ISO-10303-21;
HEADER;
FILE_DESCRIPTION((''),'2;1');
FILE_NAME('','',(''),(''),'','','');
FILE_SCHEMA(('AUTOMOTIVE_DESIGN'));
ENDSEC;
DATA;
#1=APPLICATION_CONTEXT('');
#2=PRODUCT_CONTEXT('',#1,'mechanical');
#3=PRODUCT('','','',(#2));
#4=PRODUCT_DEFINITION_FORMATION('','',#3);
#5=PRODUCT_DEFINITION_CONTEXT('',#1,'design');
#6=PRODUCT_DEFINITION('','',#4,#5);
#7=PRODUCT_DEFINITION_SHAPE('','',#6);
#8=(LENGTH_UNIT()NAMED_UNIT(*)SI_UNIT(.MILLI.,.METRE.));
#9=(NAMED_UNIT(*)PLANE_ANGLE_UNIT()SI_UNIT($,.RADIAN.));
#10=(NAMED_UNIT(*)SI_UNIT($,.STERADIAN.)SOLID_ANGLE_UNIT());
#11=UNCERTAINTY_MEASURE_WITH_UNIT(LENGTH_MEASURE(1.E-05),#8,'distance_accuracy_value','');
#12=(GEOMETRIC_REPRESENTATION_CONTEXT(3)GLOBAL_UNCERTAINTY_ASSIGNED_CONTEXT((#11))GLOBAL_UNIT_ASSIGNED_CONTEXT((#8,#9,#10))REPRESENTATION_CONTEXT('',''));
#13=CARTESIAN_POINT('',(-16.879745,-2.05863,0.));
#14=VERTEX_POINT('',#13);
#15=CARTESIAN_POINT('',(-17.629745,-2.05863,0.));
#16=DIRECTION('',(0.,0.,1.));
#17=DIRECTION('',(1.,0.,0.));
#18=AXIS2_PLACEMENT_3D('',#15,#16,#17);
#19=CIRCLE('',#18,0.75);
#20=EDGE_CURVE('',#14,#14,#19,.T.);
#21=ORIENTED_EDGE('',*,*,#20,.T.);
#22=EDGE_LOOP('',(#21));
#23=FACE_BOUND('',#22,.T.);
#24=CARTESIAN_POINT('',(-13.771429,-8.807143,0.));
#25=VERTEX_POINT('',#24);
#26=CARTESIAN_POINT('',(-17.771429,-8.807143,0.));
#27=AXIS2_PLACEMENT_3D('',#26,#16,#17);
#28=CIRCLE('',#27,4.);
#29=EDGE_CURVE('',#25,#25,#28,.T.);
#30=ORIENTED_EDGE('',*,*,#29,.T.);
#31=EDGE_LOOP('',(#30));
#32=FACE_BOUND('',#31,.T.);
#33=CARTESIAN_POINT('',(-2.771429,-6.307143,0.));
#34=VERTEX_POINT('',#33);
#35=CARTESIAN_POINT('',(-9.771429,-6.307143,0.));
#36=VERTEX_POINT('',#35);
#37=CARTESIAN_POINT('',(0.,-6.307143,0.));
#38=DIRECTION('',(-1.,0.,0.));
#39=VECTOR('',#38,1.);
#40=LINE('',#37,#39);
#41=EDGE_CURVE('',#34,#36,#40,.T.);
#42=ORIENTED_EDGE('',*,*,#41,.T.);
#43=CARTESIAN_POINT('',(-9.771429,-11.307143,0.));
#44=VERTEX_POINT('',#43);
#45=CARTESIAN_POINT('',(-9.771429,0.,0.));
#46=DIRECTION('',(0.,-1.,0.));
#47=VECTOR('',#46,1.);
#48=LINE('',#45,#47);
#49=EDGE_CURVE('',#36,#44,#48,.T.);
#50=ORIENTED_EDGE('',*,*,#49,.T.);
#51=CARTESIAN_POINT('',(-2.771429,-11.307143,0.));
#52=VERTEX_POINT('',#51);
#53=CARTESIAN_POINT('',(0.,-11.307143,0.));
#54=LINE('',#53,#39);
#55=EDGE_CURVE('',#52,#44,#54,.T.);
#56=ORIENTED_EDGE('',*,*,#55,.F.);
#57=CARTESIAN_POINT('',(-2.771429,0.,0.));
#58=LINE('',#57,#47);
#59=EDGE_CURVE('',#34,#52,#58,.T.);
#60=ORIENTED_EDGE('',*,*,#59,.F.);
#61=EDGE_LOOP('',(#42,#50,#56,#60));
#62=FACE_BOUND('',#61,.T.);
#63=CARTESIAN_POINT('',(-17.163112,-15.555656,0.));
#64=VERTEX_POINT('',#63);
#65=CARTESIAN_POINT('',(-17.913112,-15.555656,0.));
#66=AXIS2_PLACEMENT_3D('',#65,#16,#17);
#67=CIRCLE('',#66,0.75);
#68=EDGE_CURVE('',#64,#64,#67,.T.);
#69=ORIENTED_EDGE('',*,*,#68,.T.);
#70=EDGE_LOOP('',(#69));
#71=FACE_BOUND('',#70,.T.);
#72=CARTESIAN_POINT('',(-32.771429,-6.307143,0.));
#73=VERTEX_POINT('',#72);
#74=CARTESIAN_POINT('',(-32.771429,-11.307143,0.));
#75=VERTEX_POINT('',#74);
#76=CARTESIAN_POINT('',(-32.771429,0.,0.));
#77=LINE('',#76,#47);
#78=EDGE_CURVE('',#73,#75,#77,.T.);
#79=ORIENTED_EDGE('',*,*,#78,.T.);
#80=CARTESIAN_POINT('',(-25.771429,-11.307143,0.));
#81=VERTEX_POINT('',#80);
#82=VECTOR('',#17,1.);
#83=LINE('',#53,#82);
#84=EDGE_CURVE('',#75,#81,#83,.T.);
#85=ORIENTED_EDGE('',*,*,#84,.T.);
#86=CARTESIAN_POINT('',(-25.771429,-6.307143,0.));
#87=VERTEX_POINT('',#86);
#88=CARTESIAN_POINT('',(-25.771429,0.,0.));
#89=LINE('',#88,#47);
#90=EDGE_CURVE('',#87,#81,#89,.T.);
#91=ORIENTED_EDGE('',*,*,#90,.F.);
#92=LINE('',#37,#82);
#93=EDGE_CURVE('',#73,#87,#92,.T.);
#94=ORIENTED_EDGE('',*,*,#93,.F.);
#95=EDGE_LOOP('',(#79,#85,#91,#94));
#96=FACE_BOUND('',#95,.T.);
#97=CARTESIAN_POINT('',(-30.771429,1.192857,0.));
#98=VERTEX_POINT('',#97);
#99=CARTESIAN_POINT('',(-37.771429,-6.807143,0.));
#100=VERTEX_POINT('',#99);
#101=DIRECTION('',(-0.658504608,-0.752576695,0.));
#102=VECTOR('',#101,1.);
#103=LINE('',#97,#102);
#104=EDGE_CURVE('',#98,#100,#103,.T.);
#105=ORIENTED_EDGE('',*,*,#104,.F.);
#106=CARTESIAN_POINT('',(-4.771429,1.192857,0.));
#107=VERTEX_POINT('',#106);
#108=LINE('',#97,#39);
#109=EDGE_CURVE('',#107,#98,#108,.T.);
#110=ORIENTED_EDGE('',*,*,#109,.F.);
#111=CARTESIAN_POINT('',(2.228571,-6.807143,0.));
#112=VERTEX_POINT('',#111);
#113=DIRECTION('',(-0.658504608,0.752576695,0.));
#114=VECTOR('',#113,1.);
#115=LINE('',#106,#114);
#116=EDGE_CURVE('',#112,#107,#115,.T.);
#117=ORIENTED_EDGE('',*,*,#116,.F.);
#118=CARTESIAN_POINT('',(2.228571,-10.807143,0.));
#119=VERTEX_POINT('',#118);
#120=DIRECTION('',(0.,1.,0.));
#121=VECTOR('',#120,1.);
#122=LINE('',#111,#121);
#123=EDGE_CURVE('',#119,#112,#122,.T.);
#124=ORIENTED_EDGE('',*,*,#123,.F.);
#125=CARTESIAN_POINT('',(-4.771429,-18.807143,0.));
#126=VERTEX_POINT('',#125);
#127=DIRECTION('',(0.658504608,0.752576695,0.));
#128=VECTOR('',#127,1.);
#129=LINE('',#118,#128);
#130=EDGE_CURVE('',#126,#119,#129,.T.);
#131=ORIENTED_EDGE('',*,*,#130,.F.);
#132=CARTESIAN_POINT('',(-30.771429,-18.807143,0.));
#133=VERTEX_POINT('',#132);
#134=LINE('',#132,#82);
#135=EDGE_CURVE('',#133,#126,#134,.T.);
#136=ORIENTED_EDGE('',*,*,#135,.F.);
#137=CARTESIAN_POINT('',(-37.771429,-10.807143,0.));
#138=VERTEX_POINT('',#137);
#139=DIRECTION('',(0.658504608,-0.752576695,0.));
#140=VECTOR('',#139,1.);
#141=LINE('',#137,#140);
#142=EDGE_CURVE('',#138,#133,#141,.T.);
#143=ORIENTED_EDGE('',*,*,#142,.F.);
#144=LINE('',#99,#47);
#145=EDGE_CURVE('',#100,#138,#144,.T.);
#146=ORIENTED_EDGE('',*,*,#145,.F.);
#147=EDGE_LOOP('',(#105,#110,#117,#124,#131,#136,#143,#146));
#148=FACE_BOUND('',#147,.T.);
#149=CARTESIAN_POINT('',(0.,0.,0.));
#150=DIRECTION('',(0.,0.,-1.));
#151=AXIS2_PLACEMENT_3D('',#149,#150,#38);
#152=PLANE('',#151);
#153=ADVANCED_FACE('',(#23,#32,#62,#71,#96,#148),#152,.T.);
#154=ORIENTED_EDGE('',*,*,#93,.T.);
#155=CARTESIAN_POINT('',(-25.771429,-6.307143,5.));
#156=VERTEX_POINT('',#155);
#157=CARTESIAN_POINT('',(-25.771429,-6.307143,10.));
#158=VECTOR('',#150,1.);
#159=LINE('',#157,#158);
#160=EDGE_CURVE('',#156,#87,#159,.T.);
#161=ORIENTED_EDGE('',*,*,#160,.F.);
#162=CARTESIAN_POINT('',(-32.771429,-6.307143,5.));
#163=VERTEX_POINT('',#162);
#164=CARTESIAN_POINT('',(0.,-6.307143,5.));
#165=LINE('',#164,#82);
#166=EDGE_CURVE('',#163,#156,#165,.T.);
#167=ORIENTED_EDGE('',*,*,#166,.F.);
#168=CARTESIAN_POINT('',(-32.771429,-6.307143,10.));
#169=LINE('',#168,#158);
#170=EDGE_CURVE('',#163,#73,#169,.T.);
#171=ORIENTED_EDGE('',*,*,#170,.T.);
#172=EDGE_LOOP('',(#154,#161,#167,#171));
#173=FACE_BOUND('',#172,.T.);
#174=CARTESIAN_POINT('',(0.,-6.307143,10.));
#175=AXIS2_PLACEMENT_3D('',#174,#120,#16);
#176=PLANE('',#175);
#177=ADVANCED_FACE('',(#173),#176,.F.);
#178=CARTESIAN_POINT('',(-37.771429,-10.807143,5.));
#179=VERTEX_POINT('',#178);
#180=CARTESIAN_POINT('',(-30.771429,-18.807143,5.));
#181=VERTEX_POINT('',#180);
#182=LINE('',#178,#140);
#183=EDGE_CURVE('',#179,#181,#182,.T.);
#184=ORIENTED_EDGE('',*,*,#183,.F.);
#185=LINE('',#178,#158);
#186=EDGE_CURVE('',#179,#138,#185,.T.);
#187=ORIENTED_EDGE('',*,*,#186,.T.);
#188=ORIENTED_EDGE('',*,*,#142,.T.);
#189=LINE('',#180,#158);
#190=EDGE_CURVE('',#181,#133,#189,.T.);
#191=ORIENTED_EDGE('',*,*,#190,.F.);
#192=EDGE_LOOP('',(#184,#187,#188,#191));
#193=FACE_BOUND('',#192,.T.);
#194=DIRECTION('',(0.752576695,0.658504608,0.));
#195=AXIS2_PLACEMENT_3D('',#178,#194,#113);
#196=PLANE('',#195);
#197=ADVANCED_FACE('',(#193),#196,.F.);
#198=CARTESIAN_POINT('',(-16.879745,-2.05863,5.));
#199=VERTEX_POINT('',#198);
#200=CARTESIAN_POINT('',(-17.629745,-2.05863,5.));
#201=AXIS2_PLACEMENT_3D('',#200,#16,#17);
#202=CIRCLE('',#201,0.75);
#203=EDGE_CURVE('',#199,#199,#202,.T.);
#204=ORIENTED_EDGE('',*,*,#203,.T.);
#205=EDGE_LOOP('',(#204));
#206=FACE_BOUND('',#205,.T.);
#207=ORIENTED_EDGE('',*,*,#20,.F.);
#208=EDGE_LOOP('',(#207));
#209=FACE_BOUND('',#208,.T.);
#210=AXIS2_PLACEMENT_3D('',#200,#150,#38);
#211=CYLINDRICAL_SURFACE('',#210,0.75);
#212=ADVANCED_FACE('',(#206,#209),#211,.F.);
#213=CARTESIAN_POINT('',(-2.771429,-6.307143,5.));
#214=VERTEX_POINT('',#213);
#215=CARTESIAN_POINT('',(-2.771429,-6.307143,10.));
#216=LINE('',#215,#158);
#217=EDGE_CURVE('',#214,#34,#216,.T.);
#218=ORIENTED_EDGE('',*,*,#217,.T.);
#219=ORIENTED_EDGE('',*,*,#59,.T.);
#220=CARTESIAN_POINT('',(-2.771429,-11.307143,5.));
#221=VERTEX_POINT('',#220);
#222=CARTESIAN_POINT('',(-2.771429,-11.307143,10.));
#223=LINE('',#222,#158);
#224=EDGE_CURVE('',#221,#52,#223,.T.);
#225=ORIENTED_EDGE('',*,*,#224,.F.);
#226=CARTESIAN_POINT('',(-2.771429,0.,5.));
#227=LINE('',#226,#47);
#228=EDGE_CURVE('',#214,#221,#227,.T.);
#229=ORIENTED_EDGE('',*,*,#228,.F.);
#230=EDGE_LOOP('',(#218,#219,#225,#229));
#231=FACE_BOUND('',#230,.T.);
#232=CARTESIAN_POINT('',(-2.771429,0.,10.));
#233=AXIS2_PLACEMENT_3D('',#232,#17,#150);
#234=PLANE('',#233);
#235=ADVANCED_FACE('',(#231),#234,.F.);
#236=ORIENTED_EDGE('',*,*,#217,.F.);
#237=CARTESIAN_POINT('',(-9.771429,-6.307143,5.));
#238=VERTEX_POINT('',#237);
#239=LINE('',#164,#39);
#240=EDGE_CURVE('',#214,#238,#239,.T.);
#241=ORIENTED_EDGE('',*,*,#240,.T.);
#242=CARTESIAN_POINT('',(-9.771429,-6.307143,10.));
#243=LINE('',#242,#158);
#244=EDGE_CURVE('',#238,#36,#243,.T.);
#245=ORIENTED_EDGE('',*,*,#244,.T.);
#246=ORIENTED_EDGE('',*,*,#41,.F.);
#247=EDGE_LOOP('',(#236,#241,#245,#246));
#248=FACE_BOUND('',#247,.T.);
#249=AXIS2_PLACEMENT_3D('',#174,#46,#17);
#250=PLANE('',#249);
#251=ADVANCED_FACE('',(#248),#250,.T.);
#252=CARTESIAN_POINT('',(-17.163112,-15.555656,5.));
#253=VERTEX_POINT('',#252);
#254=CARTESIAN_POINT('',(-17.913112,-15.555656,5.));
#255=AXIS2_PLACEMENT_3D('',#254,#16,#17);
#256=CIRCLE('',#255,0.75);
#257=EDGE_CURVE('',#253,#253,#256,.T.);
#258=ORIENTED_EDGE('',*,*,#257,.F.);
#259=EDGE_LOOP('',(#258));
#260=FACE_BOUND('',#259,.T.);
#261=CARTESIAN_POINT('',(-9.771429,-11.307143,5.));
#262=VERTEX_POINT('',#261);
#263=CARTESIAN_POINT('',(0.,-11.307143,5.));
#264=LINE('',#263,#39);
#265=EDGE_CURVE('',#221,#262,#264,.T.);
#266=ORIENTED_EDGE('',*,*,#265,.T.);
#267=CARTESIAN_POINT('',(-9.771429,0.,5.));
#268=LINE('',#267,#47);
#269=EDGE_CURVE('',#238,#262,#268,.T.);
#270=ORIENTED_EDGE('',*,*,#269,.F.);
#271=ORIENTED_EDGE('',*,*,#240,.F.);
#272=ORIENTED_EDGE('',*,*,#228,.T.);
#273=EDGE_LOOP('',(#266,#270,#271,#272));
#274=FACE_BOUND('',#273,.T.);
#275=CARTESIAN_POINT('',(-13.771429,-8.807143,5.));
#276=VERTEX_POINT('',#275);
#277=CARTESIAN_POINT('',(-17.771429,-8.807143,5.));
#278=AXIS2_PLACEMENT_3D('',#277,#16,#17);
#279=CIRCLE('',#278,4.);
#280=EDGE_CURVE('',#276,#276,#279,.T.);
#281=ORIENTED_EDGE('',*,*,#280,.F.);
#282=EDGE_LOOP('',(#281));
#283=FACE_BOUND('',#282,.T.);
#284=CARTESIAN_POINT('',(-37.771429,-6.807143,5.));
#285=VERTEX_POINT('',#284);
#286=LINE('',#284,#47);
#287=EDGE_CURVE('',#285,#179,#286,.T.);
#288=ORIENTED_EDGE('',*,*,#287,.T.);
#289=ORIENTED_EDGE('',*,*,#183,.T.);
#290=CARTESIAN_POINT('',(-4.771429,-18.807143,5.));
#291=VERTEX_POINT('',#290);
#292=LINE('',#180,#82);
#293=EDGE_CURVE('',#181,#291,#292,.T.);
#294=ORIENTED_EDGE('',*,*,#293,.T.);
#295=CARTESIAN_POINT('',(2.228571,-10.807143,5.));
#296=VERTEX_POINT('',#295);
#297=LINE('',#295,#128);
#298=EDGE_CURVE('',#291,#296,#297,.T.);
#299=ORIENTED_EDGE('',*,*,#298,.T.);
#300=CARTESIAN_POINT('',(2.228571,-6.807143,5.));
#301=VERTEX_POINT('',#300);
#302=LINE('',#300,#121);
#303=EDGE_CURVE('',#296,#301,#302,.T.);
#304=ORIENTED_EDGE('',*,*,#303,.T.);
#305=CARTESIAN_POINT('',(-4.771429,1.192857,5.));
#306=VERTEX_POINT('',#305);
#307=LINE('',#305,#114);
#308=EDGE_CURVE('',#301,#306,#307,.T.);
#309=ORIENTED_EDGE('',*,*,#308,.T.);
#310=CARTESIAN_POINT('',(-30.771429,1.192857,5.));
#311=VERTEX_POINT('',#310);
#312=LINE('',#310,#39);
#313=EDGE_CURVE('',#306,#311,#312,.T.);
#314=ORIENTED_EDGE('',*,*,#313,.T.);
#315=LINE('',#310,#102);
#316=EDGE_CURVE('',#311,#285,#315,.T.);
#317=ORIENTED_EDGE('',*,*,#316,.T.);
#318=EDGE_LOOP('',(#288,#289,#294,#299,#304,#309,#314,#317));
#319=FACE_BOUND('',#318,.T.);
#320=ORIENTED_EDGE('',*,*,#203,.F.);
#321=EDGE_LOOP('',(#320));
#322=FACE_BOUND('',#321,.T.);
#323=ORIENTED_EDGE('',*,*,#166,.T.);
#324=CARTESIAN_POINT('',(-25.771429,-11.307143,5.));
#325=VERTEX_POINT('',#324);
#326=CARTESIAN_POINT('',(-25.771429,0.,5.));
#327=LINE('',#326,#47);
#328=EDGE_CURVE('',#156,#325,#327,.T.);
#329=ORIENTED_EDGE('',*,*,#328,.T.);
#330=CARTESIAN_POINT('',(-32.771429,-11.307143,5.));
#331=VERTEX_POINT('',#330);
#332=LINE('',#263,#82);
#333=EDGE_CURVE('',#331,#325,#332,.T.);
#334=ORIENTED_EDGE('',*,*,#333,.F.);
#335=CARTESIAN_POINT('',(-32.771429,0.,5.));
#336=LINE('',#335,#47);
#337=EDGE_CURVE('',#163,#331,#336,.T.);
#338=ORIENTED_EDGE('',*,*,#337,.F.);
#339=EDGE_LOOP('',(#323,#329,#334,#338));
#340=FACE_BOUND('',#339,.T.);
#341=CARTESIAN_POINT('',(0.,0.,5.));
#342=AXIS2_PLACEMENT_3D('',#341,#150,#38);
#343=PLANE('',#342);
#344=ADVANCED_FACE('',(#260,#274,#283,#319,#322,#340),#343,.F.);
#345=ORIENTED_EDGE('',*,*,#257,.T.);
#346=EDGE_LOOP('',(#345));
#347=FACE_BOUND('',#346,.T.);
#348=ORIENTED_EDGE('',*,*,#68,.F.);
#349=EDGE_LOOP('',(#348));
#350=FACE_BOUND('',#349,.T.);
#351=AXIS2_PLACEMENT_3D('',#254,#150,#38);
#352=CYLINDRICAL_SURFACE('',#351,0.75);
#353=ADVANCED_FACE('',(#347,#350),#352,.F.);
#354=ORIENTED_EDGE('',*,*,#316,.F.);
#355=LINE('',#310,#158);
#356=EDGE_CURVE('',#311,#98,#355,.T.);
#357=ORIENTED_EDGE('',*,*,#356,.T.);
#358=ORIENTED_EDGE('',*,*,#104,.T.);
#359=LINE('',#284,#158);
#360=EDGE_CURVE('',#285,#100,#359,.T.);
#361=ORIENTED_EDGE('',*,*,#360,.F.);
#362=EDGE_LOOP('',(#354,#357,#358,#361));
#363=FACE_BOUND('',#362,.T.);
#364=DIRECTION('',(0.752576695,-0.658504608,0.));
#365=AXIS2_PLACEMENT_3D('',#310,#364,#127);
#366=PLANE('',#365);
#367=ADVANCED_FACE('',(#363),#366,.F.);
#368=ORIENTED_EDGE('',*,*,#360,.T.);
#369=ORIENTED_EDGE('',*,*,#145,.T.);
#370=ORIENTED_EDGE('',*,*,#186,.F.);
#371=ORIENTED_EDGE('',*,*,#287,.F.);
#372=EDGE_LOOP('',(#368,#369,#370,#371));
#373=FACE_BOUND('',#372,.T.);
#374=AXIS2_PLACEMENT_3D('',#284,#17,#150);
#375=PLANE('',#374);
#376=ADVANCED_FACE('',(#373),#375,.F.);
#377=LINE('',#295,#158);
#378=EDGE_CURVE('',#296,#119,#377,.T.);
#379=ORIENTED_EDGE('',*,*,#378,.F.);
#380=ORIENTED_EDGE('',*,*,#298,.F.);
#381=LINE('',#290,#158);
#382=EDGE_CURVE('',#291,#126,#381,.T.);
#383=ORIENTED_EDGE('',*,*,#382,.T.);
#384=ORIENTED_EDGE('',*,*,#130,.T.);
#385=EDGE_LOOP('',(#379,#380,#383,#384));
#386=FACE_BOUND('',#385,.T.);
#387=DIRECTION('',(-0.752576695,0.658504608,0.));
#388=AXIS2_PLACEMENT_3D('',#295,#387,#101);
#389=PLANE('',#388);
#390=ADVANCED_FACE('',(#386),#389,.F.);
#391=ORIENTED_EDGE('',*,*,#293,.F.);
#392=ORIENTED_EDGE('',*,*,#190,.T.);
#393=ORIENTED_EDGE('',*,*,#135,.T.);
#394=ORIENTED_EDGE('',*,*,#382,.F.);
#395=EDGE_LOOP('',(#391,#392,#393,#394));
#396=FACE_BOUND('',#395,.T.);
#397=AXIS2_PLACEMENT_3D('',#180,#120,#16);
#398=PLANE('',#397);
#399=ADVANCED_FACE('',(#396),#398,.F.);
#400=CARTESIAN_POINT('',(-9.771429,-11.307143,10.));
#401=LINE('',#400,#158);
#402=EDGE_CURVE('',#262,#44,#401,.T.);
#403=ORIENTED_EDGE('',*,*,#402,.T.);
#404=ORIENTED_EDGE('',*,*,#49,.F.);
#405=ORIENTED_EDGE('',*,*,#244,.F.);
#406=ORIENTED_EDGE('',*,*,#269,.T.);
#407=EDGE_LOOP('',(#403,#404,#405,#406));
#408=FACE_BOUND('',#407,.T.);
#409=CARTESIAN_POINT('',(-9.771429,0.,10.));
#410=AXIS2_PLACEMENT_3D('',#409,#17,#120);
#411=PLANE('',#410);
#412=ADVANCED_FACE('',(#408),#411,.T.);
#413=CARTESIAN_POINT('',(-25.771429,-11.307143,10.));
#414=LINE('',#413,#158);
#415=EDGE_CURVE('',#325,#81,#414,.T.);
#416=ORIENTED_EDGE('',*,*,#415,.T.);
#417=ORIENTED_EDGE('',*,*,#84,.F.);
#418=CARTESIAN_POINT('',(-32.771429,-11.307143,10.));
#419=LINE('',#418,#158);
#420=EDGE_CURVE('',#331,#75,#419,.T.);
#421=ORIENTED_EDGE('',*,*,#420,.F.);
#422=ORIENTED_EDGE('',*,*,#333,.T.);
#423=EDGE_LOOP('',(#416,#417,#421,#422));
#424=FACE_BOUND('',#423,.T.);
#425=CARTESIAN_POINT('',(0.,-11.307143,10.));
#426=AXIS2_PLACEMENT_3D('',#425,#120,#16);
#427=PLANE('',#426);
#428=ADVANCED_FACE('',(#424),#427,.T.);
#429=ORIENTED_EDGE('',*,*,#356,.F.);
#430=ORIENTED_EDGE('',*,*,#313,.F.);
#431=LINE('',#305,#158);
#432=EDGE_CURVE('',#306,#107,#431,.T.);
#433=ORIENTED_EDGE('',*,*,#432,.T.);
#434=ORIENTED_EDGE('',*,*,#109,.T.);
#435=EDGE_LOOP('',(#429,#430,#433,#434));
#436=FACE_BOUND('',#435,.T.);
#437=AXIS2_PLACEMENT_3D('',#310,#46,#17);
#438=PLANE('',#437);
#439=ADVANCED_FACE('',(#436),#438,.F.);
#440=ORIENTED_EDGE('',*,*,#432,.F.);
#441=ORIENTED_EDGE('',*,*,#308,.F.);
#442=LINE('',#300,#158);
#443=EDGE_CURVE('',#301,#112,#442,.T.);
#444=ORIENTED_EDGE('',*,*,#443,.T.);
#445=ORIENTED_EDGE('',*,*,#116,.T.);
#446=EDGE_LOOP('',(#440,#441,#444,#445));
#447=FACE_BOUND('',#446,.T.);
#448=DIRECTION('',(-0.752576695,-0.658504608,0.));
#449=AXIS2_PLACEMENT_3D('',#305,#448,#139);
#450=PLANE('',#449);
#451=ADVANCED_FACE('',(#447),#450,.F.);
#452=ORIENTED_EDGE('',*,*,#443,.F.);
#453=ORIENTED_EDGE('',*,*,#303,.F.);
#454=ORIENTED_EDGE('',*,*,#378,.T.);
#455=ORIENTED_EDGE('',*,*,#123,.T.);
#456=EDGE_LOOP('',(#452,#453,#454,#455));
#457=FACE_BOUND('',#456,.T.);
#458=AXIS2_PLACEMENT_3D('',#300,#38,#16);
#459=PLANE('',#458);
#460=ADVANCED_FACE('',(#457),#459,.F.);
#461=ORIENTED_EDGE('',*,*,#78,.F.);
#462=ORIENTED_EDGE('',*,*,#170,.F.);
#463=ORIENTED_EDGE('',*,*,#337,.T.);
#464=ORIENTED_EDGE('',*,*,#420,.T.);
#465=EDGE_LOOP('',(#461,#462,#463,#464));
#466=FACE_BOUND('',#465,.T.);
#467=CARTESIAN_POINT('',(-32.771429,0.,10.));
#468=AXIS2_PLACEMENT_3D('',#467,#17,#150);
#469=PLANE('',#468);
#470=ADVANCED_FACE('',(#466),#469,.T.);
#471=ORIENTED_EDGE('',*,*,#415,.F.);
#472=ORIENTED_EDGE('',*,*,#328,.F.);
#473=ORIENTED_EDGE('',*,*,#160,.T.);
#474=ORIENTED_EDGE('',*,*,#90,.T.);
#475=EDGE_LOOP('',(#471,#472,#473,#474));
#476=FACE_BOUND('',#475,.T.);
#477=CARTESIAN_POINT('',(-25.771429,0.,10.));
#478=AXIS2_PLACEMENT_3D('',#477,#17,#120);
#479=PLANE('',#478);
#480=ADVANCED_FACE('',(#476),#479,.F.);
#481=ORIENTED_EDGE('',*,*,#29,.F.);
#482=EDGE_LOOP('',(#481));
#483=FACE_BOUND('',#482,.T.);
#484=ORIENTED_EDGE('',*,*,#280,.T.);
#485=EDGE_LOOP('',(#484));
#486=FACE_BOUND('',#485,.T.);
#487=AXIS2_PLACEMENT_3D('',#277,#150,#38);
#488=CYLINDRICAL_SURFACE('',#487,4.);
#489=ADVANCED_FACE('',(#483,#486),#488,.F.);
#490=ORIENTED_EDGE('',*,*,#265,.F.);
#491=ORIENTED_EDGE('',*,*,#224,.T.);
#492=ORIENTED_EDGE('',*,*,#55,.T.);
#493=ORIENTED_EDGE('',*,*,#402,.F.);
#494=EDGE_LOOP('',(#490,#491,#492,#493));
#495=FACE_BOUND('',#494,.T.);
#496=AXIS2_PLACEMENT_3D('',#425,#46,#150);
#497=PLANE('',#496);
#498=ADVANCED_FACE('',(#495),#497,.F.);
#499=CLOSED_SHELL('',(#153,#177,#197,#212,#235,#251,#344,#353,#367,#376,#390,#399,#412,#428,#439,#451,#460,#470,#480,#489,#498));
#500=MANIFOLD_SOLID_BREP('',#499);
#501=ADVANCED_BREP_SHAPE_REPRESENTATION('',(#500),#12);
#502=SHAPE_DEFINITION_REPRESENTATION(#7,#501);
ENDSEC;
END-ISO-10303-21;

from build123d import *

# Parameters (mm, degrees)
SKETCH1_R               = 4
SKETCH1_R_2             = 0.75
BOSS_EXTRUDE1_DEPTH     = 5
CUT_EXTRUDE1_DEPTH      = 5
CUT_EXTRUDE1_DEPTH_BACK = 5
SKETCH2_W               = 7
SKETCH2_H               = 5


with BuildPart() as part:
    # Sketch1 → Boss-Extrude1 (new body)
    with BuildSketch(Plane.XY):
        Polygon((-30.771428571, -18.807142857), (-4.771428571, -18.807142857), (2.228571429, -10.807142857), (2.228571429, -6.807142857), (-4.771428571, 1.192857143), (-30.771428571, 1.192857143), (-37.771428571, -6.807142857), (-37.771428571, -10.807142857), align=None)
        with Locations((-17.771428571, -8.807142857)):
            Circle(SKETCH1_R, mode=Mode.SUBTRACT)
        with Locations((-17.629745485, -2.058630135)):
            Circle(SKETCH1_R_2, mode=Mode.SUBTRACT)
        with Locations((-17.913111664, -15.555655867)):
            Circle(SKETCH1_R_2, mode=Mode.SUBTRACT)
    extrude(amount=BOSS_EXTRUDE1_DEPTH)

    # Sketch2 → Cut-Extrude1 (cut, two sides: drawn at the far end of the back side and taken through both)
    with BuildSketch(Plane.XY.offset(5).offset(-CUT_EXTRUDE1_DEPTH_BACK)):
        with Locations((-29.271428571, -8.807142857)):
            Rectangle(SKETCH2_W, SKETCH2_H)
        with Locations((-6.271428571, -8.807142857)):
            Rectangle(SKETCH2_W, SKETCH2_H)
    extrude(amount=CUT_EXTRUDE1_DEPTH + CUT_EXTRUDE1_DEPTH_BACK, mode=Mode.SUBTRACT)


solid = part.part
